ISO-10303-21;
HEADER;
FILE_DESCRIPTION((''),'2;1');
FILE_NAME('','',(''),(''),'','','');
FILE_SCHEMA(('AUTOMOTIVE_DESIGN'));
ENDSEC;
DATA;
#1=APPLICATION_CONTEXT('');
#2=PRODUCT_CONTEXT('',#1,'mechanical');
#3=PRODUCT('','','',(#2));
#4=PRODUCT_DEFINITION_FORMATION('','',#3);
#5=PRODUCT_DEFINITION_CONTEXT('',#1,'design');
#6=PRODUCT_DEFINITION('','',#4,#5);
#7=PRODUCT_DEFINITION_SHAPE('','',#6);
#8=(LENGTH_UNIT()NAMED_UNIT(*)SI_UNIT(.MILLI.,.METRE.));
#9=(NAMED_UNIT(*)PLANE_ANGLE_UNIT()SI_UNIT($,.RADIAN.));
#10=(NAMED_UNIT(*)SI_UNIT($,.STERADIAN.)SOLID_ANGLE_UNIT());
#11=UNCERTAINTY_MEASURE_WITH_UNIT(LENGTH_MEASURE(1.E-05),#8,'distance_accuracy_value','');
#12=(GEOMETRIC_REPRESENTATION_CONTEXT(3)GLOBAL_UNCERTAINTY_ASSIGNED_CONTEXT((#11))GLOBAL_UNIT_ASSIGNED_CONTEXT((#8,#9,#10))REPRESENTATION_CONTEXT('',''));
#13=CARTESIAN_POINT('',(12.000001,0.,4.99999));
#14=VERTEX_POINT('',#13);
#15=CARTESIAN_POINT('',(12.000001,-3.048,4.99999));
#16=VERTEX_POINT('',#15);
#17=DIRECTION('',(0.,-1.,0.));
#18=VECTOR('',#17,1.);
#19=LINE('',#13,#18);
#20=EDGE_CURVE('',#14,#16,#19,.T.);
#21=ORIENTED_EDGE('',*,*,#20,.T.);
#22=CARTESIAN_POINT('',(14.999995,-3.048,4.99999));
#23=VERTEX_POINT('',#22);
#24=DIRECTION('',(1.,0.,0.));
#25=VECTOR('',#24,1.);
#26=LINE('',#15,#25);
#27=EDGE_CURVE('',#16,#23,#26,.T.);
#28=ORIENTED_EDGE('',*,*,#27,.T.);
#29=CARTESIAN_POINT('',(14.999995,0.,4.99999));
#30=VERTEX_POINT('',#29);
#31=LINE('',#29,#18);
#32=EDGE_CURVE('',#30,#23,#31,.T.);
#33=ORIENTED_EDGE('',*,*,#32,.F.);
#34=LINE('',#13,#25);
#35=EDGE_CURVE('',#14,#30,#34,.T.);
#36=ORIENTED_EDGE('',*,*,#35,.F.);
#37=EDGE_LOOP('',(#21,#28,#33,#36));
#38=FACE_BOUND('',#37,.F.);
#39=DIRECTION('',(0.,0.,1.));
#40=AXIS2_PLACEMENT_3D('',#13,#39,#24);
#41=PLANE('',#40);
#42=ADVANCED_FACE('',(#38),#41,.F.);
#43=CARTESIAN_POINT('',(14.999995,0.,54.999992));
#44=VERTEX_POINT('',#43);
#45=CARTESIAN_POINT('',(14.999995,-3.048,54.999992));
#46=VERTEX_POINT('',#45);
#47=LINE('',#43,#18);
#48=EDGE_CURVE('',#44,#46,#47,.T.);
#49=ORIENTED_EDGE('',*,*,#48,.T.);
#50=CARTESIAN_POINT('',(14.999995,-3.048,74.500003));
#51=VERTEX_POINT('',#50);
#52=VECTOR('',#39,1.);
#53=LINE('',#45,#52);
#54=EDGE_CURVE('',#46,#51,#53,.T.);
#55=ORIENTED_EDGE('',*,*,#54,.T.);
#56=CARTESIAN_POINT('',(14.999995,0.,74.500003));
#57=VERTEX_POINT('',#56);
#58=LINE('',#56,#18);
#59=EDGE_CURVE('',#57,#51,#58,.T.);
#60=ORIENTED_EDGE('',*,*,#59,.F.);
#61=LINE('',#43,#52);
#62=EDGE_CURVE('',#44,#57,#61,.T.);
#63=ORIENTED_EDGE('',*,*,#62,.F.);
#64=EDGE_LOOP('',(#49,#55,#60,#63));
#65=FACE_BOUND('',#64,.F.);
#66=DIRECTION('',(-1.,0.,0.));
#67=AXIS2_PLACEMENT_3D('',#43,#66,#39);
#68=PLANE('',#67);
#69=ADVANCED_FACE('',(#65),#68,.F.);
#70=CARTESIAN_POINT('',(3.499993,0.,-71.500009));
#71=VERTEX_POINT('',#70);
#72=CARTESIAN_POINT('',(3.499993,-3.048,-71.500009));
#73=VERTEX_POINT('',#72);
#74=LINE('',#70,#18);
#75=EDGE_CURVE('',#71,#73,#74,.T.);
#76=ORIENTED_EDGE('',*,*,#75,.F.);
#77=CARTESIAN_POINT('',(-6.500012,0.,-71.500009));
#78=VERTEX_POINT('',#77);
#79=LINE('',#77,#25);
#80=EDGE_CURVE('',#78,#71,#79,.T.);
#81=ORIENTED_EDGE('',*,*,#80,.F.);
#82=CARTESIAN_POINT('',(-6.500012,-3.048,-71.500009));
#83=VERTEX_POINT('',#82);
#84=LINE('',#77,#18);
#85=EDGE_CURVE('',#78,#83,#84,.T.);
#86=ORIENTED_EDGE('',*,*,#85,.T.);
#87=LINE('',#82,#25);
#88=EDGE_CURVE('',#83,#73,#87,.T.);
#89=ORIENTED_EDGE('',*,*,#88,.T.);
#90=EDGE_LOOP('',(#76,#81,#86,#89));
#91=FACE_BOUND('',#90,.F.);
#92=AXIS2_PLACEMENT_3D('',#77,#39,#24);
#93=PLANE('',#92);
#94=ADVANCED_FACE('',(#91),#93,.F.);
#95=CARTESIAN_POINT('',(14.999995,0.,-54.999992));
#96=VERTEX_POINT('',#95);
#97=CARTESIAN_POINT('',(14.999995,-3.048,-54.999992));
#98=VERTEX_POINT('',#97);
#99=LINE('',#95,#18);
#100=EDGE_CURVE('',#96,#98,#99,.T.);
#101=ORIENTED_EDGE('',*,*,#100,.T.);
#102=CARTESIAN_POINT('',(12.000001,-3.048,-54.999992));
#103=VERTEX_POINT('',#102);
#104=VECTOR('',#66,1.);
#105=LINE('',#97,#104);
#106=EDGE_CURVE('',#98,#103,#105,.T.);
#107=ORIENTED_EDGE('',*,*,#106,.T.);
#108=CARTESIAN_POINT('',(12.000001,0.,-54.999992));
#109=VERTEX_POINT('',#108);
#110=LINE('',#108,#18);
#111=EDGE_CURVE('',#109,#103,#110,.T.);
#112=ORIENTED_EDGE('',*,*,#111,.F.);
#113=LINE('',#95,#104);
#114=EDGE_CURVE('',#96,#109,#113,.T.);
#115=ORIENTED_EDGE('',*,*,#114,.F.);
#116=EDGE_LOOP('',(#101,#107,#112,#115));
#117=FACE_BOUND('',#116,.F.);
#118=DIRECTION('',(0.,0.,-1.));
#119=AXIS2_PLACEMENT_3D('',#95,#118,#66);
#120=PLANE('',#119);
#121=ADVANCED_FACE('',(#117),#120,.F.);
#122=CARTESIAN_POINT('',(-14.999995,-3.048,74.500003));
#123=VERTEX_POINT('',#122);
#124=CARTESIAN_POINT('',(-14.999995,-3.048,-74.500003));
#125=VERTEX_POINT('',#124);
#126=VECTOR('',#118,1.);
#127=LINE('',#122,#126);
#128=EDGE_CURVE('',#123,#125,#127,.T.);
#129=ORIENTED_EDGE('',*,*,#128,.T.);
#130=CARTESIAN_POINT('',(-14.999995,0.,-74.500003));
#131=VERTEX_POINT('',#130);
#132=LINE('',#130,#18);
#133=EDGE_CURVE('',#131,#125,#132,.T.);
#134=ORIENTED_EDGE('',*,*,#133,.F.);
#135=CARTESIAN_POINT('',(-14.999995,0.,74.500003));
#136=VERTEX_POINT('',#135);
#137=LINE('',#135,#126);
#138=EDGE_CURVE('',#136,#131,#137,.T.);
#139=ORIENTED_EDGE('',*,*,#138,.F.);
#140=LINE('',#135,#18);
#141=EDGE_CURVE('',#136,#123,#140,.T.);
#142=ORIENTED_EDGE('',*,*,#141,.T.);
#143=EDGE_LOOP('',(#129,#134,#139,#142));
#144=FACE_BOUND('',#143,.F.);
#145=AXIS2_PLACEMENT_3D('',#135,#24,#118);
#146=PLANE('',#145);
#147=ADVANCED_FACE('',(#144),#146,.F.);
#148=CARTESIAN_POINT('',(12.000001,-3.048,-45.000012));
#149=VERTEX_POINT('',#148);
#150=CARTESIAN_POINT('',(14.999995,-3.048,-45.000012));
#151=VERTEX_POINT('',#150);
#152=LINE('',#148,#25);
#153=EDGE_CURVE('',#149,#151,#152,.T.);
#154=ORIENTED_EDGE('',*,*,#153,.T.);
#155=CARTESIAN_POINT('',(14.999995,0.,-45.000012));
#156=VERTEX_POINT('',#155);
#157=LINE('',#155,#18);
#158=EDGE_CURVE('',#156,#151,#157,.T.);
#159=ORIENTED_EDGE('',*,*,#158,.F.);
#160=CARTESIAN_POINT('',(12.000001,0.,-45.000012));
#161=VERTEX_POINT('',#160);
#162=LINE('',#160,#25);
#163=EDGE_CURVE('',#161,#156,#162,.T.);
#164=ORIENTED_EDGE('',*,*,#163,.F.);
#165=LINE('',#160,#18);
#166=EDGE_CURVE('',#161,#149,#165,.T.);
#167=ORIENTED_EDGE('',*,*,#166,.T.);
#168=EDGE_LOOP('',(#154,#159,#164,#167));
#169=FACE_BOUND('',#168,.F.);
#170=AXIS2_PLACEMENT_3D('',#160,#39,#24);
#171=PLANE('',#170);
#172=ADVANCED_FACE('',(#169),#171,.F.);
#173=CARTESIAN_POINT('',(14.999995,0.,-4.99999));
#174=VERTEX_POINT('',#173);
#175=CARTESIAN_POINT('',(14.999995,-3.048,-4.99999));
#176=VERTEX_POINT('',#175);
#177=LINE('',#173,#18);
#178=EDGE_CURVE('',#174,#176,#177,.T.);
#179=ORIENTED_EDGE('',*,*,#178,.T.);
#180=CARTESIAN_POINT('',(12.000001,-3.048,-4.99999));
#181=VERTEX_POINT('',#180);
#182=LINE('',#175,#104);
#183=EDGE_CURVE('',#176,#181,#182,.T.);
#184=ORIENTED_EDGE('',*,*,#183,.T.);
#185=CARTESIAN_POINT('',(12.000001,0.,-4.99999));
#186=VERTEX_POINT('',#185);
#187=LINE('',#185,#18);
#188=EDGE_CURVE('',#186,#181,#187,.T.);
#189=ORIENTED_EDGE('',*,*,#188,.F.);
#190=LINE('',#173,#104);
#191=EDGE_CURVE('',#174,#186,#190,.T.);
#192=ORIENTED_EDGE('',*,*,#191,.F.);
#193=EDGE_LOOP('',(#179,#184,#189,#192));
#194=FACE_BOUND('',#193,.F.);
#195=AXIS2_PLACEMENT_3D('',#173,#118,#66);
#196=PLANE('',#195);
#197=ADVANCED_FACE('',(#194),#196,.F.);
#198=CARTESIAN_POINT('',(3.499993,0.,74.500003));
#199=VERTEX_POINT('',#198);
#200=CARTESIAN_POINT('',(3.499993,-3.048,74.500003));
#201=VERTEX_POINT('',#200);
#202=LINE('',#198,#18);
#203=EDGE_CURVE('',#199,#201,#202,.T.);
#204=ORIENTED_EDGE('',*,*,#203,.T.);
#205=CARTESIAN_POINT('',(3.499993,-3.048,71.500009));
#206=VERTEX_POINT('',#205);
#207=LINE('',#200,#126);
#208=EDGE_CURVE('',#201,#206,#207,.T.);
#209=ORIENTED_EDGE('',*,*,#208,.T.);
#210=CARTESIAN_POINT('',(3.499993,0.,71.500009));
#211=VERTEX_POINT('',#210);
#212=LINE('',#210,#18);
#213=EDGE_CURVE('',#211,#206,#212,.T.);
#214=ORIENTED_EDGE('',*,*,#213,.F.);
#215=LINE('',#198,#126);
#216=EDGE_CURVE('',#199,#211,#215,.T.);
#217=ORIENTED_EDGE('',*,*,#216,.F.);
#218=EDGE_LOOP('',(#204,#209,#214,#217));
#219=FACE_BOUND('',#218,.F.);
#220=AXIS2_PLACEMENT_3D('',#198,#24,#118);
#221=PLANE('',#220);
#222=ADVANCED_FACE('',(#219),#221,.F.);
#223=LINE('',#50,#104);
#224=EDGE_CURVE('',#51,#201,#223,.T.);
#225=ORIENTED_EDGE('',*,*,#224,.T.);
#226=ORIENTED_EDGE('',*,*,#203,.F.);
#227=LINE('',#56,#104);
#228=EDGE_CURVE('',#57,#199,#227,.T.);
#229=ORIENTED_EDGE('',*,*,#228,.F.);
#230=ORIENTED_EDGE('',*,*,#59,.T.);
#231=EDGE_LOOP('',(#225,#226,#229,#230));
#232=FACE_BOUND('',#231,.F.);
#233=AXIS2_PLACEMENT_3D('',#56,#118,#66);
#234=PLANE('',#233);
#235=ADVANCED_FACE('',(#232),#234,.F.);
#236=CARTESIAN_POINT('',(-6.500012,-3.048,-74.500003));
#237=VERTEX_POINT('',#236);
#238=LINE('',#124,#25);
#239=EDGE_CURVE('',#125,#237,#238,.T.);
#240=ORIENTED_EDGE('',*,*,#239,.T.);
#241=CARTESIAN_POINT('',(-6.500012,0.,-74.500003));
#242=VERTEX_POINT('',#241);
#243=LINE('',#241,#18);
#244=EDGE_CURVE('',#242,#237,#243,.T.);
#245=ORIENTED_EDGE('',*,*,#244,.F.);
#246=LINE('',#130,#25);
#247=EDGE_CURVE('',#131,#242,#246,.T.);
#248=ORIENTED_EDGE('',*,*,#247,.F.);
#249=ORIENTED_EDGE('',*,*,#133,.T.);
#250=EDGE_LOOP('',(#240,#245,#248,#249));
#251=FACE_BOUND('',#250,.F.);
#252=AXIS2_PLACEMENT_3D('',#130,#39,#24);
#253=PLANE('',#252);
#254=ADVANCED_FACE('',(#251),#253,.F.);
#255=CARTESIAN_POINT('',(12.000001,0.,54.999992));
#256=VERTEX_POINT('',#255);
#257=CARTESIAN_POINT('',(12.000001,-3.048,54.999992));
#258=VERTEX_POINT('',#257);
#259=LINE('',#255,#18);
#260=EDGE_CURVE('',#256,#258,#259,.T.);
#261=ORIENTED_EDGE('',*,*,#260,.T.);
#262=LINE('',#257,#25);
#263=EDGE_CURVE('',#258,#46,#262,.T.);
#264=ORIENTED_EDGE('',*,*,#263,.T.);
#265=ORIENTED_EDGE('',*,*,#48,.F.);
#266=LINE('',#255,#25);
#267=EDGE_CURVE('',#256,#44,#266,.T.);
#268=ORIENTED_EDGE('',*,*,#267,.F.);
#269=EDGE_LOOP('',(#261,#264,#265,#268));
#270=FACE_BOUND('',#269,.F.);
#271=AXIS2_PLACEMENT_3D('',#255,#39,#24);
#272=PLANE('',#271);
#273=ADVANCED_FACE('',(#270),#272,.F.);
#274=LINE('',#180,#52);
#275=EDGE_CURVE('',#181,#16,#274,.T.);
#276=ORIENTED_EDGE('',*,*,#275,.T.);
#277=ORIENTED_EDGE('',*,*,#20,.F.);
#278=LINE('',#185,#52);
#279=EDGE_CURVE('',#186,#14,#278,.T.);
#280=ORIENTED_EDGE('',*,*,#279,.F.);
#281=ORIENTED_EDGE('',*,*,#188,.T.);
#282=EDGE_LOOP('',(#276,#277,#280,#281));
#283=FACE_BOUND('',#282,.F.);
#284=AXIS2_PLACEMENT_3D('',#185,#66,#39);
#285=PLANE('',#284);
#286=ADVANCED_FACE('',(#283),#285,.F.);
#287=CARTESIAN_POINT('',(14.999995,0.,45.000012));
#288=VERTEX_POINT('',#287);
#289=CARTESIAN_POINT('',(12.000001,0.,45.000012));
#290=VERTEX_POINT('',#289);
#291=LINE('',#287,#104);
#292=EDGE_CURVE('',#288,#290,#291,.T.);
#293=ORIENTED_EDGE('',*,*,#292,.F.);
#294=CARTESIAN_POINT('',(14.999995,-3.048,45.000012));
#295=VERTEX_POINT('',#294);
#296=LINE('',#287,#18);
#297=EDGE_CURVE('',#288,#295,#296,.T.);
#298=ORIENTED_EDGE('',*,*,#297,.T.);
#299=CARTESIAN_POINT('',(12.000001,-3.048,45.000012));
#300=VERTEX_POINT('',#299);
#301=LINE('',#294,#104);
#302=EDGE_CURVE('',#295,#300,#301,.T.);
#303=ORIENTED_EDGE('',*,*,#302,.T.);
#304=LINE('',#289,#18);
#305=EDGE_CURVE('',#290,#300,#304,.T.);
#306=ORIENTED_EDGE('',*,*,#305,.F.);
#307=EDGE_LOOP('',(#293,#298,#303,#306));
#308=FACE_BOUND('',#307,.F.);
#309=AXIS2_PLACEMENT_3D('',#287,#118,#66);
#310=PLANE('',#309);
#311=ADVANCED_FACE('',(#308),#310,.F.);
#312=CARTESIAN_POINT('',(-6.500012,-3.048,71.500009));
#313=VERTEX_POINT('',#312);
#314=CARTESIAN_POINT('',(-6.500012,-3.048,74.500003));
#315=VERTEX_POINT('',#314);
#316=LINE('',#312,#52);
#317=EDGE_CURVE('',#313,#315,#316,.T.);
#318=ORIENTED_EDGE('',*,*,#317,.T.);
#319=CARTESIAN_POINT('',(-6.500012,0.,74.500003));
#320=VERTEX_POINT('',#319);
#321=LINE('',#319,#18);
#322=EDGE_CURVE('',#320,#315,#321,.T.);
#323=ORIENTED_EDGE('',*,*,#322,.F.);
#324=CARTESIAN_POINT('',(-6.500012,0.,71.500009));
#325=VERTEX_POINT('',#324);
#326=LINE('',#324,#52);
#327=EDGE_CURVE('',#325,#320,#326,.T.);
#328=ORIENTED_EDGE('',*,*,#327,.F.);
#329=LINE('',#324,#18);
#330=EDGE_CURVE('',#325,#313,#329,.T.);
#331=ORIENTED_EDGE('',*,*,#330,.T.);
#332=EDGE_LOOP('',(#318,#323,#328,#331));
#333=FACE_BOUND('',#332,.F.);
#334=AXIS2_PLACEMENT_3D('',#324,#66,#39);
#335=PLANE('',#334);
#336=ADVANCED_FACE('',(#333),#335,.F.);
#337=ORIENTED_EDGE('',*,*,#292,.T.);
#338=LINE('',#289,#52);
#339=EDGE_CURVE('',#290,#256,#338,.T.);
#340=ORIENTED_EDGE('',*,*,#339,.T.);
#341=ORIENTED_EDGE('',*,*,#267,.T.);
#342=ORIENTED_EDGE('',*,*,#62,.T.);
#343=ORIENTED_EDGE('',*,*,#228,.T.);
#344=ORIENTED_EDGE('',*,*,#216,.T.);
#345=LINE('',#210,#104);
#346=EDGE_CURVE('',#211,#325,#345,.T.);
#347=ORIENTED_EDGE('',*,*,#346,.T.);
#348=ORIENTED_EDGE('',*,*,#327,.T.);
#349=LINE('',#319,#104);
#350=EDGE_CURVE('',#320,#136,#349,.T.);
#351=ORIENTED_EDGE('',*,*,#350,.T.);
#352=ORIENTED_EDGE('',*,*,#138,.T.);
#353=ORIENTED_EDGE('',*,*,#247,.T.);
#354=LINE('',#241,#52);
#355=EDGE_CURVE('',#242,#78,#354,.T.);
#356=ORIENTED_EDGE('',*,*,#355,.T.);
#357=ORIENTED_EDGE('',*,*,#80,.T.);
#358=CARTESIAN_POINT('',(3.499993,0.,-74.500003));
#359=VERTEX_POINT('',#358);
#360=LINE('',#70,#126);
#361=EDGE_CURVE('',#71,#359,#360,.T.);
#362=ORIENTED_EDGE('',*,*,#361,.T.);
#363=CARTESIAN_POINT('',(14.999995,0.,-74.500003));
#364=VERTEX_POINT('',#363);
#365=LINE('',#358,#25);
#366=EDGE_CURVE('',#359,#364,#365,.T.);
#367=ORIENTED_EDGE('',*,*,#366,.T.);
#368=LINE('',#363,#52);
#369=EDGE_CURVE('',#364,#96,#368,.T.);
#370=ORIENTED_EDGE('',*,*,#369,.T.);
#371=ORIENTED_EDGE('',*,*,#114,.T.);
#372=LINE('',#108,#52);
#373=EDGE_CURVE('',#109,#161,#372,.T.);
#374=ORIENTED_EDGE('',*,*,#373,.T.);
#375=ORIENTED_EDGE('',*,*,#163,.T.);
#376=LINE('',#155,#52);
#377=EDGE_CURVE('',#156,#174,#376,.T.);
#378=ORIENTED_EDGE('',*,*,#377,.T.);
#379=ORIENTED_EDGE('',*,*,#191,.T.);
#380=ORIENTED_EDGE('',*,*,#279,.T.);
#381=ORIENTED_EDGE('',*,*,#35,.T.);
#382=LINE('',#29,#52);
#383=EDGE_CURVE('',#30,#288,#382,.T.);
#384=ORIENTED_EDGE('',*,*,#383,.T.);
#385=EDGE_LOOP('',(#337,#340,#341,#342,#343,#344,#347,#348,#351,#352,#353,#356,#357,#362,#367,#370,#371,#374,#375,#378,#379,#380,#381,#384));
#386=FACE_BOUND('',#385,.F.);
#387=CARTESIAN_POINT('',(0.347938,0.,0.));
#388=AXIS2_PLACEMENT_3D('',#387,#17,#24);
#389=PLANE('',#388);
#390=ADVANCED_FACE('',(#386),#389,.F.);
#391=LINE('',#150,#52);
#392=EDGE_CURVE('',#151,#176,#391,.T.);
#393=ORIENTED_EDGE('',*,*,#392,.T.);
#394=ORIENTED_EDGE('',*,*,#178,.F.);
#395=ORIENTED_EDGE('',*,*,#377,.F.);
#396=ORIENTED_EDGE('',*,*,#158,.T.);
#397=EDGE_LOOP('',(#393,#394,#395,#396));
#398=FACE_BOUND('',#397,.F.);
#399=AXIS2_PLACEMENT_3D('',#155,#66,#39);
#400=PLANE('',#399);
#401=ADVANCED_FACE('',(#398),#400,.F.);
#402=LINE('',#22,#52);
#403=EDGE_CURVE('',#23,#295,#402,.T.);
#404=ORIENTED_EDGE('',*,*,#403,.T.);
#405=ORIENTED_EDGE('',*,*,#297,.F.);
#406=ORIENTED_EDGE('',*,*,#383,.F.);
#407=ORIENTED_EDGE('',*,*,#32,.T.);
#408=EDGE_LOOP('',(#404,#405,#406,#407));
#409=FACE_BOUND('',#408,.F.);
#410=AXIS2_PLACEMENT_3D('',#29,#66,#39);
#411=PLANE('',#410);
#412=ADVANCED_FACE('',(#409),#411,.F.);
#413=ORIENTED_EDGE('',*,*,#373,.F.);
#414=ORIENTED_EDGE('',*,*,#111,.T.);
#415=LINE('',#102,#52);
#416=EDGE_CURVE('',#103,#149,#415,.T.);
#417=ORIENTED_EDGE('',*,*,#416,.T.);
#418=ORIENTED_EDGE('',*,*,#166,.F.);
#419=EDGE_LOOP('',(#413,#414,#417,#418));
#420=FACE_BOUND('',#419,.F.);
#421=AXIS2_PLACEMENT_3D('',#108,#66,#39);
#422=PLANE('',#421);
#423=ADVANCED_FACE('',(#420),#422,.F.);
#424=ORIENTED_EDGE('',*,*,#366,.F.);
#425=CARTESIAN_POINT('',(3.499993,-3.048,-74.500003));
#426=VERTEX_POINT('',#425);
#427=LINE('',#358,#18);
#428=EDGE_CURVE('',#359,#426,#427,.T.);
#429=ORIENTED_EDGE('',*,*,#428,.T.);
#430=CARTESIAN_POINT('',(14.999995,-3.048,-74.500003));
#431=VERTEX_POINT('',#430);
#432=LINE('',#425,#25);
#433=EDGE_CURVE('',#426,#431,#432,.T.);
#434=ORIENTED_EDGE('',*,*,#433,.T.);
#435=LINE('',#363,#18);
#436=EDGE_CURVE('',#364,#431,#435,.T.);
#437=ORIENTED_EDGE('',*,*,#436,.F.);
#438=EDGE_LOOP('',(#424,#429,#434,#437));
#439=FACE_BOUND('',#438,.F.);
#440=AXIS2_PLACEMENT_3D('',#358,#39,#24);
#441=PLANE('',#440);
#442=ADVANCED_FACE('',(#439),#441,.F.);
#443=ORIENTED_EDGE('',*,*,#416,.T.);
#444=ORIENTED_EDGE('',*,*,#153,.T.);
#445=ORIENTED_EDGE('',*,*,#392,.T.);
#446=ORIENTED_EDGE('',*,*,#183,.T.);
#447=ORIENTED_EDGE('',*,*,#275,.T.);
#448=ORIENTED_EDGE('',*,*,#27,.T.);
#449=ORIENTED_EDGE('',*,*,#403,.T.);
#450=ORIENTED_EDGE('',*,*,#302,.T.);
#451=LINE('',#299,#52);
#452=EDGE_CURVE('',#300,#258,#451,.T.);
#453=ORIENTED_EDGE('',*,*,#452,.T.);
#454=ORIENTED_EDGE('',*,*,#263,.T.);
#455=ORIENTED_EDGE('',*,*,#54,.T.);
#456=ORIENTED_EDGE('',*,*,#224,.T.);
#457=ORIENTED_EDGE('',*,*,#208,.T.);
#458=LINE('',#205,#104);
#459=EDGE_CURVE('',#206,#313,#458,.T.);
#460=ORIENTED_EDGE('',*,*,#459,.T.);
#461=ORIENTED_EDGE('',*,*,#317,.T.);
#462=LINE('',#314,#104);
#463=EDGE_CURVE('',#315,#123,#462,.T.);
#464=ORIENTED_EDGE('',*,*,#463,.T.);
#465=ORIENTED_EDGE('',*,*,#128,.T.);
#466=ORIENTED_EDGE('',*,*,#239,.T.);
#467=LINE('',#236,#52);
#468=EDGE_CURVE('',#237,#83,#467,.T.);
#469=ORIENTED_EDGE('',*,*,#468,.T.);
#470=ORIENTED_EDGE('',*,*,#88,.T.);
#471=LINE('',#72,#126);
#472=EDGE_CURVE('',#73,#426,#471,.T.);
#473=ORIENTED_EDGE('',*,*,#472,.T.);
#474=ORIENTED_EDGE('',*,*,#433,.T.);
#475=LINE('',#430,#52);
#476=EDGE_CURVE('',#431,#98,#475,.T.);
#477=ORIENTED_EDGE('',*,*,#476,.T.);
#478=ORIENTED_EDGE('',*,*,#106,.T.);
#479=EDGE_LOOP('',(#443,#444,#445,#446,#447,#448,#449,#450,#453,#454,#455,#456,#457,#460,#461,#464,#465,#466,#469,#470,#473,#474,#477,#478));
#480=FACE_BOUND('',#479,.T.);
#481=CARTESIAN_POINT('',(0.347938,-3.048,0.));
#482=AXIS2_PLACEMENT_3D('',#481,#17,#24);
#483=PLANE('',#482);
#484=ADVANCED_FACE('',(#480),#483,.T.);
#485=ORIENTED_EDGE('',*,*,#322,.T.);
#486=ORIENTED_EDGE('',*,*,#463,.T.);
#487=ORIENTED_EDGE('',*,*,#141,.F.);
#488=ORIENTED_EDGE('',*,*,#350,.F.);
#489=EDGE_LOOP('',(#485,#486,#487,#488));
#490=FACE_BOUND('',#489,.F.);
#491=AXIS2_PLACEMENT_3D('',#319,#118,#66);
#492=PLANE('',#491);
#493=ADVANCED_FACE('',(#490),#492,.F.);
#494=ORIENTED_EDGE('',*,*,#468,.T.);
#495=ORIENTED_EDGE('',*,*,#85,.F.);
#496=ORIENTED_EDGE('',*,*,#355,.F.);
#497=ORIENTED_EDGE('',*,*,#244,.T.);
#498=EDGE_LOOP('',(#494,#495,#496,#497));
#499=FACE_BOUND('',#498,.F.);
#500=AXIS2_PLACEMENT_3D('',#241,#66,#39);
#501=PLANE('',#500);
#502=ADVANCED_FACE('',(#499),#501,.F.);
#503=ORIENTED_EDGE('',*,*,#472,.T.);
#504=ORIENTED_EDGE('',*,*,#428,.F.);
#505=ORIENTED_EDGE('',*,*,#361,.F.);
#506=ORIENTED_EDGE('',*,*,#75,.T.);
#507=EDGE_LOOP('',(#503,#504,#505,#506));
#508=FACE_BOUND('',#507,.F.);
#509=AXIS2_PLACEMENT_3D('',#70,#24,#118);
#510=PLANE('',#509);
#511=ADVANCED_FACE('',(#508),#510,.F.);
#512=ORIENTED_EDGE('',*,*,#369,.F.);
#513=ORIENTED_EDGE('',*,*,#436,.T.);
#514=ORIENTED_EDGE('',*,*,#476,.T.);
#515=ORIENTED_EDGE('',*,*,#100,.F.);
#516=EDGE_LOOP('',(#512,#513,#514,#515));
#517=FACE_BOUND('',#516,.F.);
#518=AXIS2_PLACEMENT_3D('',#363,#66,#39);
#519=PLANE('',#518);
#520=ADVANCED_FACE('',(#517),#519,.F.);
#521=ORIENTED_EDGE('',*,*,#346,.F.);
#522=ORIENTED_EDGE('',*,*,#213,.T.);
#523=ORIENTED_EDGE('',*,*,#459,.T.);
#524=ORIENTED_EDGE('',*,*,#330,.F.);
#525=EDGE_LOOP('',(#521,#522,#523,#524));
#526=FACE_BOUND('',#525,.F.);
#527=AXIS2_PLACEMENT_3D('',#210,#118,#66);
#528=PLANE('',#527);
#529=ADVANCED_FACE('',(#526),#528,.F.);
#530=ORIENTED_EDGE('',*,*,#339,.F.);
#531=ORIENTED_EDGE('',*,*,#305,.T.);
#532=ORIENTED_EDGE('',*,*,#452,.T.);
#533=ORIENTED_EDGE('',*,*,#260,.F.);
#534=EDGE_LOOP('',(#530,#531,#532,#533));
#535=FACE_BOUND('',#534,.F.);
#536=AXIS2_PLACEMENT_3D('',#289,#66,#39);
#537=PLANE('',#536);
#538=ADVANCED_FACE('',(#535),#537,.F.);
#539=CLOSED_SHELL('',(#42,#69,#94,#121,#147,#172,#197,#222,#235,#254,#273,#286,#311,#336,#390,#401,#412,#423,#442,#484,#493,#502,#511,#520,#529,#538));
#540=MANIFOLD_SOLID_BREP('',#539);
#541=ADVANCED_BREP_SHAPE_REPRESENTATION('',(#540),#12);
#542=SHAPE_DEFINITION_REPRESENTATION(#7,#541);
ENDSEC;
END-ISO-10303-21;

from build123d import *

# Parameters (mm, degrees)
F1_DEPTH = 3.048


with BuildPart() as f1:
    # F0 (on Front) → F1 (new body)
    with BuildSketch(Plane.XZ):
        Polygon((-6.500012, -74.500003), (-6.500012, -71.500009), (3.499993, -71.500009), (3.499993, -74.500003), (14.999995, -74.500003), (14.999995, -54.999992), (12.000001, -54.999992), (12.000001, -45.000012), (14.999995, -45.000012), (14.999995, -4.99999), (12.000001, -4.99999), (12.000001, 4.99999), (14.999995, 4.99999), (14.999995, 45.000012), (12.000001, 45.000012), (12.000001, 54.999992), (14.999995, 54.999992), (14.999995, 74.500003), (3.499993, 74.500003), (3.499993, 71.500009), (-6.500012, 71.500009), (-6.500012, 74.500003), (-14.999995, 74.500003), (-14.999995, -74.500003), align=None)
    extrude(amount=F1_DEPTH)


solid = f1.part
